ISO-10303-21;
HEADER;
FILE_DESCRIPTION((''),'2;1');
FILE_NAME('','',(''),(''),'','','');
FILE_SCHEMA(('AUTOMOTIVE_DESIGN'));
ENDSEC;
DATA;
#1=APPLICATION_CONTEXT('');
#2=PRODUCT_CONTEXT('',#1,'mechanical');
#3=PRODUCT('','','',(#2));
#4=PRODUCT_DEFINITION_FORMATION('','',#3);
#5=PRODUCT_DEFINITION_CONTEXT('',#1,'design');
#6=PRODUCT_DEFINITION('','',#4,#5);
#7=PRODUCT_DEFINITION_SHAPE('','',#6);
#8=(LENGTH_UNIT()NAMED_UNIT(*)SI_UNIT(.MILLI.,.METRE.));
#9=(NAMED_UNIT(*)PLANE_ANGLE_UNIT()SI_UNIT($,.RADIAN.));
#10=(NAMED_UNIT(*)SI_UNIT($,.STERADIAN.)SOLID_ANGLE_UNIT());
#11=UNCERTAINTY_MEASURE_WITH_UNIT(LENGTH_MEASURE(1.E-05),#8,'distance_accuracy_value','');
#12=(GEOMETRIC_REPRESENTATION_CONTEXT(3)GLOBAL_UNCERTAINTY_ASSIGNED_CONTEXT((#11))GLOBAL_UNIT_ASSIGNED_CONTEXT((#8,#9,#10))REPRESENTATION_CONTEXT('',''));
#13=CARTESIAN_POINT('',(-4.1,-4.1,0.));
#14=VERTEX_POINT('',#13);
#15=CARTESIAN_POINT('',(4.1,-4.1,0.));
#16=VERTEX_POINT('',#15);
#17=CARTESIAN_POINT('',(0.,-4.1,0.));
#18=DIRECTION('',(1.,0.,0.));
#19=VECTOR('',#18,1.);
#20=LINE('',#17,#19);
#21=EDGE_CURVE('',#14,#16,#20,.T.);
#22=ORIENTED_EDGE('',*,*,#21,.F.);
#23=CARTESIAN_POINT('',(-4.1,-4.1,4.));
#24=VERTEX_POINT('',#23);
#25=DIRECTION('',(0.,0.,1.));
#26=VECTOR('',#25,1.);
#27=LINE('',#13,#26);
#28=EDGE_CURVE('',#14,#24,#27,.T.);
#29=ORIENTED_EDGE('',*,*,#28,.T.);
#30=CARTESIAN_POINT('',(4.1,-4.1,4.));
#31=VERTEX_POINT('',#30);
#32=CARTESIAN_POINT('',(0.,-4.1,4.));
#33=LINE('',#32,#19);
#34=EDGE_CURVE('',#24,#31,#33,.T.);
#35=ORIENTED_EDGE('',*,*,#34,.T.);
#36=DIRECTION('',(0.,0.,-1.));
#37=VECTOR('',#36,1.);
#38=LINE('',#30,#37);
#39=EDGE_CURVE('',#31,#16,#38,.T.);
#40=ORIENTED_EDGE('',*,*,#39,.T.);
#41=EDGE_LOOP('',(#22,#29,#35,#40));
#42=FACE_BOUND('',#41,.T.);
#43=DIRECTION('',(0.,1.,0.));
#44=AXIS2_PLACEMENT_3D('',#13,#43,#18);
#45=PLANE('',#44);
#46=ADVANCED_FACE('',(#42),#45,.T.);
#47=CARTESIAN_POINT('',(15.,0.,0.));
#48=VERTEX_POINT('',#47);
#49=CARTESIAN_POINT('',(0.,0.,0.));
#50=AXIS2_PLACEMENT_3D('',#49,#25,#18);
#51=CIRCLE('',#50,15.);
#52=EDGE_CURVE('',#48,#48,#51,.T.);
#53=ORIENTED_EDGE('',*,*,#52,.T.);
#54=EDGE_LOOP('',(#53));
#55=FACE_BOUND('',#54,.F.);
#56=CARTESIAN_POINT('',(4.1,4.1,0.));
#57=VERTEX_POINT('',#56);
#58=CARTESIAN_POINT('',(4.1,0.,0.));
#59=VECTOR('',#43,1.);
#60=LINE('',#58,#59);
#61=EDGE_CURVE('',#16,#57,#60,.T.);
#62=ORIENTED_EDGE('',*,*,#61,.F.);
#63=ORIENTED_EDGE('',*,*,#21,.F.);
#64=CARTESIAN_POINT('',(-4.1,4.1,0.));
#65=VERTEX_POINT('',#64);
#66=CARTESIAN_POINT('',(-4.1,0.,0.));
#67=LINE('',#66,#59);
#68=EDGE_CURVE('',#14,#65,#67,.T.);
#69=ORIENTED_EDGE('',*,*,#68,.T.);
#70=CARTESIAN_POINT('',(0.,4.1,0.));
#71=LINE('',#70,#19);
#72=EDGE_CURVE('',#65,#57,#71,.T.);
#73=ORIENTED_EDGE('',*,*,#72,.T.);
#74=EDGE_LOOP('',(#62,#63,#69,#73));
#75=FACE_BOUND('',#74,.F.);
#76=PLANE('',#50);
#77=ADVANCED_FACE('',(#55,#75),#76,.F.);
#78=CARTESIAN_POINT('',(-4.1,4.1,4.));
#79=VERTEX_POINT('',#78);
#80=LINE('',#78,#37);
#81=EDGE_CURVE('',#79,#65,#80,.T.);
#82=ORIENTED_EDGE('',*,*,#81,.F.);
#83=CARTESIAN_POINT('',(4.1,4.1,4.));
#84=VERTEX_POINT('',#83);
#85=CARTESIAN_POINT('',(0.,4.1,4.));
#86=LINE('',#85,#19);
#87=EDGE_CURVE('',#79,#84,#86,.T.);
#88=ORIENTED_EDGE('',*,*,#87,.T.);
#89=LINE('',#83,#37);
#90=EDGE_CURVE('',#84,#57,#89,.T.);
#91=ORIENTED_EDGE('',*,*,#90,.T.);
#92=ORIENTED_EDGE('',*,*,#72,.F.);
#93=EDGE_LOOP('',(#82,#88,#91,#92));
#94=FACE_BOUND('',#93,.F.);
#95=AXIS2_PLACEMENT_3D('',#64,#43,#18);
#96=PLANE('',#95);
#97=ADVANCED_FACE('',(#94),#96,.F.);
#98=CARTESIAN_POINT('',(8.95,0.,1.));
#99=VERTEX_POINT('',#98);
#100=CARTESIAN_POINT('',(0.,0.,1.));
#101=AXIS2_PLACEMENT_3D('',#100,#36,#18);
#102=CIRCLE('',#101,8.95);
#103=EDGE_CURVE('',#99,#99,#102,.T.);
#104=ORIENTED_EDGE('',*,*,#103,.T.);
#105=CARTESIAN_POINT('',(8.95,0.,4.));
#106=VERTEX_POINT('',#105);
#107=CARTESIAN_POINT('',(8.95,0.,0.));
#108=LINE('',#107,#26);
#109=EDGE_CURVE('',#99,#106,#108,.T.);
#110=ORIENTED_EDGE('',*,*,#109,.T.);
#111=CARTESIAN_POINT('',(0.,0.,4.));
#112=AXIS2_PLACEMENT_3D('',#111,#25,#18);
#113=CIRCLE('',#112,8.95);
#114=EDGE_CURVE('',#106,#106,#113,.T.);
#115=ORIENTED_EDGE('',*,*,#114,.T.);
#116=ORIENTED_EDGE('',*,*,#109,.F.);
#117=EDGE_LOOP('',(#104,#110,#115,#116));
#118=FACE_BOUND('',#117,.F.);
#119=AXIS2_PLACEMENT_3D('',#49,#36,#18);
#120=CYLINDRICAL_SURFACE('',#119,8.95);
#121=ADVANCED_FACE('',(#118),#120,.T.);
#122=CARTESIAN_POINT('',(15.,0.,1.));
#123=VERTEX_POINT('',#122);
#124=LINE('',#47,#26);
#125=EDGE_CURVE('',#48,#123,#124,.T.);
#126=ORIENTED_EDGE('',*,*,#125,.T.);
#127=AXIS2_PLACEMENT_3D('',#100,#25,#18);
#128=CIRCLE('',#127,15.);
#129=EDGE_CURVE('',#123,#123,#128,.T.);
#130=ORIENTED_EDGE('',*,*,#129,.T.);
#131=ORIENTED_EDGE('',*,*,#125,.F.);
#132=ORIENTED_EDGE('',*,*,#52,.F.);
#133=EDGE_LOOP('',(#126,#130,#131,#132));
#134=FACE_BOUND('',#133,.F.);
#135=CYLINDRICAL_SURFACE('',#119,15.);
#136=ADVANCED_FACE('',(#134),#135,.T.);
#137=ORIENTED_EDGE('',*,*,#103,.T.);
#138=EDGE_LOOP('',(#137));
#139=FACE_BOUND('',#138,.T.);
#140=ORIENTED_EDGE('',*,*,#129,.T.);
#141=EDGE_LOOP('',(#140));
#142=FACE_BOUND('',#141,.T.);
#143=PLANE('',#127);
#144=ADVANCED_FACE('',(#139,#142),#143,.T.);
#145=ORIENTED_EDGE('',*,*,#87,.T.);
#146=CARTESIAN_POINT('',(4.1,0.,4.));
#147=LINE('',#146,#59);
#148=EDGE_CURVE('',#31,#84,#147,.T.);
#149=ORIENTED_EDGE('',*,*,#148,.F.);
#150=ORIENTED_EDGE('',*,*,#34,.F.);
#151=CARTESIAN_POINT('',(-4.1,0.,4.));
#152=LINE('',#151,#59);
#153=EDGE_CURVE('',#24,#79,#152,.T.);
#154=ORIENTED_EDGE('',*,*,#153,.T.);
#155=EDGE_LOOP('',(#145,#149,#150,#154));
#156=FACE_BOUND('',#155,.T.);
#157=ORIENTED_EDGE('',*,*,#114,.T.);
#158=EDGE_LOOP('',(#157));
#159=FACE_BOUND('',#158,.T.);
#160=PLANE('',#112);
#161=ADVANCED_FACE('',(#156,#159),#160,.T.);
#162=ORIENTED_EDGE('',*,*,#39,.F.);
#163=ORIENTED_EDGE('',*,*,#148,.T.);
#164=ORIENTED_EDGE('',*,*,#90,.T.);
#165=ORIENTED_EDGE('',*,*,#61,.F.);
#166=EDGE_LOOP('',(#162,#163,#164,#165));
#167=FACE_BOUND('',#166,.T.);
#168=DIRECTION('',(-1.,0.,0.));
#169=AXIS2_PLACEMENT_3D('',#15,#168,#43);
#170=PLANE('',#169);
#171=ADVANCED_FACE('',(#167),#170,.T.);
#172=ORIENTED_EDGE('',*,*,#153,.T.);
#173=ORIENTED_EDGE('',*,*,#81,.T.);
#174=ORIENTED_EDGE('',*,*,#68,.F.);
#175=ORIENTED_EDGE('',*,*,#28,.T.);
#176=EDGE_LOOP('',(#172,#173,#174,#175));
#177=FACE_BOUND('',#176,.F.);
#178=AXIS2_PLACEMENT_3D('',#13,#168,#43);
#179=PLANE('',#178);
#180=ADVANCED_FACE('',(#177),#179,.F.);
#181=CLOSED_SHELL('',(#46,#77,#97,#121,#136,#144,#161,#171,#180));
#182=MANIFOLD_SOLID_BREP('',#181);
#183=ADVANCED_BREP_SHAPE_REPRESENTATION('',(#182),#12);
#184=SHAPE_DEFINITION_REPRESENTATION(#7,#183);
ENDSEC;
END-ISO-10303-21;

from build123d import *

# Parameters (mm, degrees)
SKETCH_R     = 8.95
SKETCH_W     = 8.2
SKETCH_H     = 8.2
PAD_DEPTH    = 4
SKETCH001_R  = 15
SKETCH001_W  = 8.2
SKETCH001_H  = 8.2
PAD001_DEPTH = 1


with BuildPart() as part:
    # Sketch → Pad (new body)
    with BuildSketch(Plane.XY):
        Circle(SKETCH_R)
        Rectangle(SKETCH_W, SKETCH_H, mode=Mode.SUBTRACT)
    extrude(amount=PAD_DEPTH)

    # Sketch001 → Pad001 (join)
    with BuildSketch(Plane.XY):
        Circle(SKETCH001_R)
        Rectangle(SKETCH001_W, SKETCH001_H, mode=Mode.SUBTRACT)
    extrude(amount=PAD001_DEPTH)


solid = part.part
